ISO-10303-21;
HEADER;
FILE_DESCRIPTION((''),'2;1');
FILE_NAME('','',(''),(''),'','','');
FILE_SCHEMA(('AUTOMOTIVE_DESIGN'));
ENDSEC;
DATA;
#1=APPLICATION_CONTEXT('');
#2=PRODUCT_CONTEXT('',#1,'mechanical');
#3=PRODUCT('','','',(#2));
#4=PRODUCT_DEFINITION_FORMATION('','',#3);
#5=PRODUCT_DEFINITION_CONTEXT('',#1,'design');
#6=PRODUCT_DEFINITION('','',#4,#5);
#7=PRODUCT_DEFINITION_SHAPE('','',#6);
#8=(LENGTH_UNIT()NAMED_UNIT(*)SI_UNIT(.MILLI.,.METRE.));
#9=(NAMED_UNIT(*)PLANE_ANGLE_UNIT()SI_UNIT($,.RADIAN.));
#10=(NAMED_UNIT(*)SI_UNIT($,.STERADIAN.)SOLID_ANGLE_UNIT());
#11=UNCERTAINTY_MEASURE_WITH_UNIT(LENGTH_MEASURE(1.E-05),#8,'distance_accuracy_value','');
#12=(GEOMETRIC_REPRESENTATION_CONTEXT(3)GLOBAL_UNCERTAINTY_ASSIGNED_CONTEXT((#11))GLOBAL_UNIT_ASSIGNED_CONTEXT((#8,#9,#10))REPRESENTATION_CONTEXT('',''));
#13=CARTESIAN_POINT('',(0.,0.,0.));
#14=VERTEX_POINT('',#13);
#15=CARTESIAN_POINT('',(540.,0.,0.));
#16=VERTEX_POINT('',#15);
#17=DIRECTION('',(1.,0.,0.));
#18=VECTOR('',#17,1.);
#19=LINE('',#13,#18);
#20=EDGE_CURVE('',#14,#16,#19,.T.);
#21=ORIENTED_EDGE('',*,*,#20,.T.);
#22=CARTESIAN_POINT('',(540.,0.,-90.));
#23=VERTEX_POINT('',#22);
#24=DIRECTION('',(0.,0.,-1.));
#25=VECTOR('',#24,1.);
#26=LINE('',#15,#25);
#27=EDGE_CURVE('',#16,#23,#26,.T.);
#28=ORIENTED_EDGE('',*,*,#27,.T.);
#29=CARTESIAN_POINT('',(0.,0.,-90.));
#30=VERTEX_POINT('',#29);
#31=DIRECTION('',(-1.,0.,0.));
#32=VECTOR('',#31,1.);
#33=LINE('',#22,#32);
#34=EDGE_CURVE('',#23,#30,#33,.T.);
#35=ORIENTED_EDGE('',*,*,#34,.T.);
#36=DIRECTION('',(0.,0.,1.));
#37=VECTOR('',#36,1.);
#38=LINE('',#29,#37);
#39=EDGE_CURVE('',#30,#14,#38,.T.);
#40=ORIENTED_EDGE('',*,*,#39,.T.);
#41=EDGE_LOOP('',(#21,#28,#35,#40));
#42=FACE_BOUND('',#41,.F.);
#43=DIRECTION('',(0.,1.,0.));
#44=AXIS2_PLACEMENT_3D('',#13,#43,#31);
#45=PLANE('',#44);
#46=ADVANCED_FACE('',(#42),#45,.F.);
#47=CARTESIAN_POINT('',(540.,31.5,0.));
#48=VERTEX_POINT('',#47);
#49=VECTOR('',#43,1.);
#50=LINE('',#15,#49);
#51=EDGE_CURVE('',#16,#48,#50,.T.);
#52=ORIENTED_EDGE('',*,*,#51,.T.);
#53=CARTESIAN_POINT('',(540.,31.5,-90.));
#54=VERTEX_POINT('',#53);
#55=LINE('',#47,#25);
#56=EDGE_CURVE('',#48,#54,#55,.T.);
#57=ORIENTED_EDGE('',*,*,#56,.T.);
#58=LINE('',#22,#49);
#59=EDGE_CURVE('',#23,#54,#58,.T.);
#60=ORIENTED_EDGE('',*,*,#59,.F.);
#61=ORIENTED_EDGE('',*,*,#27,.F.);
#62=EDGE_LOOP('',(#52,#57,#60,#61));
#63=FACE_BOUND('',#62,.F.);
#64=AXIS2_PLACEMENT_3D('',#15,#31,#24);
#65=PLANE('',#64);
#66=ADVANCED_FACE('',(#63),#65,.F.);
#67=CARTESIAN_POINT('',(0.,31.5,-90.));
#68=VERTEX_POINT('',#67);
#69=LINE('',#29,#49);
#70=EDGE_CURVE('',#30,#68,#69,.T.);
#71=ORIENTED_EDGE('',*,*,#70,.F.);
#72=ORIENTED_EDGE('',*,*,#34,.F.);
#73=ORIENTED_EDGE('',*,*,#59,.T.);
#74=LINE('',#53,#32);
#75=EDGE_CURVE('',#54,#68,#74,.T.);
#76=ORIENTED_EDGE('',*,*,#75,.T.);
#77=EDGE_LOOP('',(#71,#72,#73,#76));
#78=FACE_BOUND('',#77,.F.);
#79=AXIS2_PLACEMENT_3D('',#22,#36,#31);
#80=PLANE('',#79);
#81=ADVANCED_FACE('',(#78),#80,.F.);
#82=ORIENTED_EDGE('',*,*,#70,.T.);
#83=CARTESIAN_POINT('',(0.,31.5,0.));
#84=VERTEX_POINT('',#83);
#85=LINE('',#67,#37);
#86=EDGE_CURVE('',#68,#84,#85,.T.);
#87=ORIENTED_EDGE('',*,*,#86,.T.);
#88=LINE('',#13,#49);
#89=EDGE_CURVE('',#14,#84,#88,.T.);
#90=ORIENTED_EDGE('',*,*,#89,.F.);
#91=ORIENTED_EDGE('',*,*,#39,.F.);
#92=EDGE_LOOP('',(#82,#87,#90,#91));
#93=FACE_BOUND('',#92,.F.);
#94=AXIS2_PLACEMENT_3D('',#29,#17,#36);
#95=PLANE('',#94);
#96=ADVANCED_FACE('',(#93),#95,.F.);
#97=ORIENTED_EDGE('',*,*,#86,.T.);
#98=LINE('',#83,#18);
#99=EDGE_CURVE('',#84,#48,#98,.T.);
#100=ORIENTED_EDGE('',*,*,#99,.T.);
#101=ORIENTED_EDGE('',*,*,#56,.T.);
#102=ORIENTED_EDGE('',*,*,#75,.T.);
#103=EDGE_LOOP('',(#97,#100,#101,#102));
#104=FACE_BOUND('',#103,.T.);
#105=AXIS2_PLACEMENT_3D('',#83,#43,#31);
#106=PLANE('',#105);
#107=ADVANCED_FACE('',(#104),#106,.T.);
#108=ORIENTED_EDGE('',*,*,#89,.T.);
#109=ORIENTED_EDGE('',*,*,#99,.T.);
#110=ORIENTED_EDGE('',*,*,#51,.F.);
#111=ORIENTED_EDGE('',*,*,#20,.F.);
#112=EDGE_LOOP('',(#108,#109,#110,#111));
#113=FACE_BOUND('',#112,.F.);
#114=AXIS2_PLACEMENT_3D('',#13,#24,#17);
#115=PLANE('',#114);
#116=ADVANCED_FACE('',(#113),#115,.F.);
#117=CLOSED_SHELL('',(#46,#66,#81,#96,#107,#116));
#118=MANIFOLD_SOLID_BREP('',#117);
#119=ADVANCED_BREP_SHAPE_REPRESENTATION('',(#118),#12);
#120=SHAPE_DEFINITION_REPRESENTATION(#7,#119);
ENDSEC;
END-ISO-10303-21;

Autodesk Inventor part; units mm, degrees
ref_plane "YZ Plane" through (0, 0, 0) normal (1, 0, 0) x (0, 1, 0)
ref_plane "XZ Plane" through (0, 0, 0) normal (0, 1, 0) x (-1, 0, 0)
ref_plane "XY Plane" through (0, 0, 0) normal (0, 0, 1) x (1, 0, 0)
sketch "Sketch1" plane through (0, 0, 0) normal (0, 1, 0) x (-1, 0, 0)
  line L0 (0, 0) -> (-540, 0)
  line L1 (-540, 0) -> (-540, -90)
  line L2 (-540, -90) -> (0, -90)
  line L3 (0, -90) -> (0, 0)
  dimension "d0" = 540
  dimension "d1" = 90
extrude "Extrusion1" add sketch "Sketch1" along normal blind 31.5
properties part number "block"
